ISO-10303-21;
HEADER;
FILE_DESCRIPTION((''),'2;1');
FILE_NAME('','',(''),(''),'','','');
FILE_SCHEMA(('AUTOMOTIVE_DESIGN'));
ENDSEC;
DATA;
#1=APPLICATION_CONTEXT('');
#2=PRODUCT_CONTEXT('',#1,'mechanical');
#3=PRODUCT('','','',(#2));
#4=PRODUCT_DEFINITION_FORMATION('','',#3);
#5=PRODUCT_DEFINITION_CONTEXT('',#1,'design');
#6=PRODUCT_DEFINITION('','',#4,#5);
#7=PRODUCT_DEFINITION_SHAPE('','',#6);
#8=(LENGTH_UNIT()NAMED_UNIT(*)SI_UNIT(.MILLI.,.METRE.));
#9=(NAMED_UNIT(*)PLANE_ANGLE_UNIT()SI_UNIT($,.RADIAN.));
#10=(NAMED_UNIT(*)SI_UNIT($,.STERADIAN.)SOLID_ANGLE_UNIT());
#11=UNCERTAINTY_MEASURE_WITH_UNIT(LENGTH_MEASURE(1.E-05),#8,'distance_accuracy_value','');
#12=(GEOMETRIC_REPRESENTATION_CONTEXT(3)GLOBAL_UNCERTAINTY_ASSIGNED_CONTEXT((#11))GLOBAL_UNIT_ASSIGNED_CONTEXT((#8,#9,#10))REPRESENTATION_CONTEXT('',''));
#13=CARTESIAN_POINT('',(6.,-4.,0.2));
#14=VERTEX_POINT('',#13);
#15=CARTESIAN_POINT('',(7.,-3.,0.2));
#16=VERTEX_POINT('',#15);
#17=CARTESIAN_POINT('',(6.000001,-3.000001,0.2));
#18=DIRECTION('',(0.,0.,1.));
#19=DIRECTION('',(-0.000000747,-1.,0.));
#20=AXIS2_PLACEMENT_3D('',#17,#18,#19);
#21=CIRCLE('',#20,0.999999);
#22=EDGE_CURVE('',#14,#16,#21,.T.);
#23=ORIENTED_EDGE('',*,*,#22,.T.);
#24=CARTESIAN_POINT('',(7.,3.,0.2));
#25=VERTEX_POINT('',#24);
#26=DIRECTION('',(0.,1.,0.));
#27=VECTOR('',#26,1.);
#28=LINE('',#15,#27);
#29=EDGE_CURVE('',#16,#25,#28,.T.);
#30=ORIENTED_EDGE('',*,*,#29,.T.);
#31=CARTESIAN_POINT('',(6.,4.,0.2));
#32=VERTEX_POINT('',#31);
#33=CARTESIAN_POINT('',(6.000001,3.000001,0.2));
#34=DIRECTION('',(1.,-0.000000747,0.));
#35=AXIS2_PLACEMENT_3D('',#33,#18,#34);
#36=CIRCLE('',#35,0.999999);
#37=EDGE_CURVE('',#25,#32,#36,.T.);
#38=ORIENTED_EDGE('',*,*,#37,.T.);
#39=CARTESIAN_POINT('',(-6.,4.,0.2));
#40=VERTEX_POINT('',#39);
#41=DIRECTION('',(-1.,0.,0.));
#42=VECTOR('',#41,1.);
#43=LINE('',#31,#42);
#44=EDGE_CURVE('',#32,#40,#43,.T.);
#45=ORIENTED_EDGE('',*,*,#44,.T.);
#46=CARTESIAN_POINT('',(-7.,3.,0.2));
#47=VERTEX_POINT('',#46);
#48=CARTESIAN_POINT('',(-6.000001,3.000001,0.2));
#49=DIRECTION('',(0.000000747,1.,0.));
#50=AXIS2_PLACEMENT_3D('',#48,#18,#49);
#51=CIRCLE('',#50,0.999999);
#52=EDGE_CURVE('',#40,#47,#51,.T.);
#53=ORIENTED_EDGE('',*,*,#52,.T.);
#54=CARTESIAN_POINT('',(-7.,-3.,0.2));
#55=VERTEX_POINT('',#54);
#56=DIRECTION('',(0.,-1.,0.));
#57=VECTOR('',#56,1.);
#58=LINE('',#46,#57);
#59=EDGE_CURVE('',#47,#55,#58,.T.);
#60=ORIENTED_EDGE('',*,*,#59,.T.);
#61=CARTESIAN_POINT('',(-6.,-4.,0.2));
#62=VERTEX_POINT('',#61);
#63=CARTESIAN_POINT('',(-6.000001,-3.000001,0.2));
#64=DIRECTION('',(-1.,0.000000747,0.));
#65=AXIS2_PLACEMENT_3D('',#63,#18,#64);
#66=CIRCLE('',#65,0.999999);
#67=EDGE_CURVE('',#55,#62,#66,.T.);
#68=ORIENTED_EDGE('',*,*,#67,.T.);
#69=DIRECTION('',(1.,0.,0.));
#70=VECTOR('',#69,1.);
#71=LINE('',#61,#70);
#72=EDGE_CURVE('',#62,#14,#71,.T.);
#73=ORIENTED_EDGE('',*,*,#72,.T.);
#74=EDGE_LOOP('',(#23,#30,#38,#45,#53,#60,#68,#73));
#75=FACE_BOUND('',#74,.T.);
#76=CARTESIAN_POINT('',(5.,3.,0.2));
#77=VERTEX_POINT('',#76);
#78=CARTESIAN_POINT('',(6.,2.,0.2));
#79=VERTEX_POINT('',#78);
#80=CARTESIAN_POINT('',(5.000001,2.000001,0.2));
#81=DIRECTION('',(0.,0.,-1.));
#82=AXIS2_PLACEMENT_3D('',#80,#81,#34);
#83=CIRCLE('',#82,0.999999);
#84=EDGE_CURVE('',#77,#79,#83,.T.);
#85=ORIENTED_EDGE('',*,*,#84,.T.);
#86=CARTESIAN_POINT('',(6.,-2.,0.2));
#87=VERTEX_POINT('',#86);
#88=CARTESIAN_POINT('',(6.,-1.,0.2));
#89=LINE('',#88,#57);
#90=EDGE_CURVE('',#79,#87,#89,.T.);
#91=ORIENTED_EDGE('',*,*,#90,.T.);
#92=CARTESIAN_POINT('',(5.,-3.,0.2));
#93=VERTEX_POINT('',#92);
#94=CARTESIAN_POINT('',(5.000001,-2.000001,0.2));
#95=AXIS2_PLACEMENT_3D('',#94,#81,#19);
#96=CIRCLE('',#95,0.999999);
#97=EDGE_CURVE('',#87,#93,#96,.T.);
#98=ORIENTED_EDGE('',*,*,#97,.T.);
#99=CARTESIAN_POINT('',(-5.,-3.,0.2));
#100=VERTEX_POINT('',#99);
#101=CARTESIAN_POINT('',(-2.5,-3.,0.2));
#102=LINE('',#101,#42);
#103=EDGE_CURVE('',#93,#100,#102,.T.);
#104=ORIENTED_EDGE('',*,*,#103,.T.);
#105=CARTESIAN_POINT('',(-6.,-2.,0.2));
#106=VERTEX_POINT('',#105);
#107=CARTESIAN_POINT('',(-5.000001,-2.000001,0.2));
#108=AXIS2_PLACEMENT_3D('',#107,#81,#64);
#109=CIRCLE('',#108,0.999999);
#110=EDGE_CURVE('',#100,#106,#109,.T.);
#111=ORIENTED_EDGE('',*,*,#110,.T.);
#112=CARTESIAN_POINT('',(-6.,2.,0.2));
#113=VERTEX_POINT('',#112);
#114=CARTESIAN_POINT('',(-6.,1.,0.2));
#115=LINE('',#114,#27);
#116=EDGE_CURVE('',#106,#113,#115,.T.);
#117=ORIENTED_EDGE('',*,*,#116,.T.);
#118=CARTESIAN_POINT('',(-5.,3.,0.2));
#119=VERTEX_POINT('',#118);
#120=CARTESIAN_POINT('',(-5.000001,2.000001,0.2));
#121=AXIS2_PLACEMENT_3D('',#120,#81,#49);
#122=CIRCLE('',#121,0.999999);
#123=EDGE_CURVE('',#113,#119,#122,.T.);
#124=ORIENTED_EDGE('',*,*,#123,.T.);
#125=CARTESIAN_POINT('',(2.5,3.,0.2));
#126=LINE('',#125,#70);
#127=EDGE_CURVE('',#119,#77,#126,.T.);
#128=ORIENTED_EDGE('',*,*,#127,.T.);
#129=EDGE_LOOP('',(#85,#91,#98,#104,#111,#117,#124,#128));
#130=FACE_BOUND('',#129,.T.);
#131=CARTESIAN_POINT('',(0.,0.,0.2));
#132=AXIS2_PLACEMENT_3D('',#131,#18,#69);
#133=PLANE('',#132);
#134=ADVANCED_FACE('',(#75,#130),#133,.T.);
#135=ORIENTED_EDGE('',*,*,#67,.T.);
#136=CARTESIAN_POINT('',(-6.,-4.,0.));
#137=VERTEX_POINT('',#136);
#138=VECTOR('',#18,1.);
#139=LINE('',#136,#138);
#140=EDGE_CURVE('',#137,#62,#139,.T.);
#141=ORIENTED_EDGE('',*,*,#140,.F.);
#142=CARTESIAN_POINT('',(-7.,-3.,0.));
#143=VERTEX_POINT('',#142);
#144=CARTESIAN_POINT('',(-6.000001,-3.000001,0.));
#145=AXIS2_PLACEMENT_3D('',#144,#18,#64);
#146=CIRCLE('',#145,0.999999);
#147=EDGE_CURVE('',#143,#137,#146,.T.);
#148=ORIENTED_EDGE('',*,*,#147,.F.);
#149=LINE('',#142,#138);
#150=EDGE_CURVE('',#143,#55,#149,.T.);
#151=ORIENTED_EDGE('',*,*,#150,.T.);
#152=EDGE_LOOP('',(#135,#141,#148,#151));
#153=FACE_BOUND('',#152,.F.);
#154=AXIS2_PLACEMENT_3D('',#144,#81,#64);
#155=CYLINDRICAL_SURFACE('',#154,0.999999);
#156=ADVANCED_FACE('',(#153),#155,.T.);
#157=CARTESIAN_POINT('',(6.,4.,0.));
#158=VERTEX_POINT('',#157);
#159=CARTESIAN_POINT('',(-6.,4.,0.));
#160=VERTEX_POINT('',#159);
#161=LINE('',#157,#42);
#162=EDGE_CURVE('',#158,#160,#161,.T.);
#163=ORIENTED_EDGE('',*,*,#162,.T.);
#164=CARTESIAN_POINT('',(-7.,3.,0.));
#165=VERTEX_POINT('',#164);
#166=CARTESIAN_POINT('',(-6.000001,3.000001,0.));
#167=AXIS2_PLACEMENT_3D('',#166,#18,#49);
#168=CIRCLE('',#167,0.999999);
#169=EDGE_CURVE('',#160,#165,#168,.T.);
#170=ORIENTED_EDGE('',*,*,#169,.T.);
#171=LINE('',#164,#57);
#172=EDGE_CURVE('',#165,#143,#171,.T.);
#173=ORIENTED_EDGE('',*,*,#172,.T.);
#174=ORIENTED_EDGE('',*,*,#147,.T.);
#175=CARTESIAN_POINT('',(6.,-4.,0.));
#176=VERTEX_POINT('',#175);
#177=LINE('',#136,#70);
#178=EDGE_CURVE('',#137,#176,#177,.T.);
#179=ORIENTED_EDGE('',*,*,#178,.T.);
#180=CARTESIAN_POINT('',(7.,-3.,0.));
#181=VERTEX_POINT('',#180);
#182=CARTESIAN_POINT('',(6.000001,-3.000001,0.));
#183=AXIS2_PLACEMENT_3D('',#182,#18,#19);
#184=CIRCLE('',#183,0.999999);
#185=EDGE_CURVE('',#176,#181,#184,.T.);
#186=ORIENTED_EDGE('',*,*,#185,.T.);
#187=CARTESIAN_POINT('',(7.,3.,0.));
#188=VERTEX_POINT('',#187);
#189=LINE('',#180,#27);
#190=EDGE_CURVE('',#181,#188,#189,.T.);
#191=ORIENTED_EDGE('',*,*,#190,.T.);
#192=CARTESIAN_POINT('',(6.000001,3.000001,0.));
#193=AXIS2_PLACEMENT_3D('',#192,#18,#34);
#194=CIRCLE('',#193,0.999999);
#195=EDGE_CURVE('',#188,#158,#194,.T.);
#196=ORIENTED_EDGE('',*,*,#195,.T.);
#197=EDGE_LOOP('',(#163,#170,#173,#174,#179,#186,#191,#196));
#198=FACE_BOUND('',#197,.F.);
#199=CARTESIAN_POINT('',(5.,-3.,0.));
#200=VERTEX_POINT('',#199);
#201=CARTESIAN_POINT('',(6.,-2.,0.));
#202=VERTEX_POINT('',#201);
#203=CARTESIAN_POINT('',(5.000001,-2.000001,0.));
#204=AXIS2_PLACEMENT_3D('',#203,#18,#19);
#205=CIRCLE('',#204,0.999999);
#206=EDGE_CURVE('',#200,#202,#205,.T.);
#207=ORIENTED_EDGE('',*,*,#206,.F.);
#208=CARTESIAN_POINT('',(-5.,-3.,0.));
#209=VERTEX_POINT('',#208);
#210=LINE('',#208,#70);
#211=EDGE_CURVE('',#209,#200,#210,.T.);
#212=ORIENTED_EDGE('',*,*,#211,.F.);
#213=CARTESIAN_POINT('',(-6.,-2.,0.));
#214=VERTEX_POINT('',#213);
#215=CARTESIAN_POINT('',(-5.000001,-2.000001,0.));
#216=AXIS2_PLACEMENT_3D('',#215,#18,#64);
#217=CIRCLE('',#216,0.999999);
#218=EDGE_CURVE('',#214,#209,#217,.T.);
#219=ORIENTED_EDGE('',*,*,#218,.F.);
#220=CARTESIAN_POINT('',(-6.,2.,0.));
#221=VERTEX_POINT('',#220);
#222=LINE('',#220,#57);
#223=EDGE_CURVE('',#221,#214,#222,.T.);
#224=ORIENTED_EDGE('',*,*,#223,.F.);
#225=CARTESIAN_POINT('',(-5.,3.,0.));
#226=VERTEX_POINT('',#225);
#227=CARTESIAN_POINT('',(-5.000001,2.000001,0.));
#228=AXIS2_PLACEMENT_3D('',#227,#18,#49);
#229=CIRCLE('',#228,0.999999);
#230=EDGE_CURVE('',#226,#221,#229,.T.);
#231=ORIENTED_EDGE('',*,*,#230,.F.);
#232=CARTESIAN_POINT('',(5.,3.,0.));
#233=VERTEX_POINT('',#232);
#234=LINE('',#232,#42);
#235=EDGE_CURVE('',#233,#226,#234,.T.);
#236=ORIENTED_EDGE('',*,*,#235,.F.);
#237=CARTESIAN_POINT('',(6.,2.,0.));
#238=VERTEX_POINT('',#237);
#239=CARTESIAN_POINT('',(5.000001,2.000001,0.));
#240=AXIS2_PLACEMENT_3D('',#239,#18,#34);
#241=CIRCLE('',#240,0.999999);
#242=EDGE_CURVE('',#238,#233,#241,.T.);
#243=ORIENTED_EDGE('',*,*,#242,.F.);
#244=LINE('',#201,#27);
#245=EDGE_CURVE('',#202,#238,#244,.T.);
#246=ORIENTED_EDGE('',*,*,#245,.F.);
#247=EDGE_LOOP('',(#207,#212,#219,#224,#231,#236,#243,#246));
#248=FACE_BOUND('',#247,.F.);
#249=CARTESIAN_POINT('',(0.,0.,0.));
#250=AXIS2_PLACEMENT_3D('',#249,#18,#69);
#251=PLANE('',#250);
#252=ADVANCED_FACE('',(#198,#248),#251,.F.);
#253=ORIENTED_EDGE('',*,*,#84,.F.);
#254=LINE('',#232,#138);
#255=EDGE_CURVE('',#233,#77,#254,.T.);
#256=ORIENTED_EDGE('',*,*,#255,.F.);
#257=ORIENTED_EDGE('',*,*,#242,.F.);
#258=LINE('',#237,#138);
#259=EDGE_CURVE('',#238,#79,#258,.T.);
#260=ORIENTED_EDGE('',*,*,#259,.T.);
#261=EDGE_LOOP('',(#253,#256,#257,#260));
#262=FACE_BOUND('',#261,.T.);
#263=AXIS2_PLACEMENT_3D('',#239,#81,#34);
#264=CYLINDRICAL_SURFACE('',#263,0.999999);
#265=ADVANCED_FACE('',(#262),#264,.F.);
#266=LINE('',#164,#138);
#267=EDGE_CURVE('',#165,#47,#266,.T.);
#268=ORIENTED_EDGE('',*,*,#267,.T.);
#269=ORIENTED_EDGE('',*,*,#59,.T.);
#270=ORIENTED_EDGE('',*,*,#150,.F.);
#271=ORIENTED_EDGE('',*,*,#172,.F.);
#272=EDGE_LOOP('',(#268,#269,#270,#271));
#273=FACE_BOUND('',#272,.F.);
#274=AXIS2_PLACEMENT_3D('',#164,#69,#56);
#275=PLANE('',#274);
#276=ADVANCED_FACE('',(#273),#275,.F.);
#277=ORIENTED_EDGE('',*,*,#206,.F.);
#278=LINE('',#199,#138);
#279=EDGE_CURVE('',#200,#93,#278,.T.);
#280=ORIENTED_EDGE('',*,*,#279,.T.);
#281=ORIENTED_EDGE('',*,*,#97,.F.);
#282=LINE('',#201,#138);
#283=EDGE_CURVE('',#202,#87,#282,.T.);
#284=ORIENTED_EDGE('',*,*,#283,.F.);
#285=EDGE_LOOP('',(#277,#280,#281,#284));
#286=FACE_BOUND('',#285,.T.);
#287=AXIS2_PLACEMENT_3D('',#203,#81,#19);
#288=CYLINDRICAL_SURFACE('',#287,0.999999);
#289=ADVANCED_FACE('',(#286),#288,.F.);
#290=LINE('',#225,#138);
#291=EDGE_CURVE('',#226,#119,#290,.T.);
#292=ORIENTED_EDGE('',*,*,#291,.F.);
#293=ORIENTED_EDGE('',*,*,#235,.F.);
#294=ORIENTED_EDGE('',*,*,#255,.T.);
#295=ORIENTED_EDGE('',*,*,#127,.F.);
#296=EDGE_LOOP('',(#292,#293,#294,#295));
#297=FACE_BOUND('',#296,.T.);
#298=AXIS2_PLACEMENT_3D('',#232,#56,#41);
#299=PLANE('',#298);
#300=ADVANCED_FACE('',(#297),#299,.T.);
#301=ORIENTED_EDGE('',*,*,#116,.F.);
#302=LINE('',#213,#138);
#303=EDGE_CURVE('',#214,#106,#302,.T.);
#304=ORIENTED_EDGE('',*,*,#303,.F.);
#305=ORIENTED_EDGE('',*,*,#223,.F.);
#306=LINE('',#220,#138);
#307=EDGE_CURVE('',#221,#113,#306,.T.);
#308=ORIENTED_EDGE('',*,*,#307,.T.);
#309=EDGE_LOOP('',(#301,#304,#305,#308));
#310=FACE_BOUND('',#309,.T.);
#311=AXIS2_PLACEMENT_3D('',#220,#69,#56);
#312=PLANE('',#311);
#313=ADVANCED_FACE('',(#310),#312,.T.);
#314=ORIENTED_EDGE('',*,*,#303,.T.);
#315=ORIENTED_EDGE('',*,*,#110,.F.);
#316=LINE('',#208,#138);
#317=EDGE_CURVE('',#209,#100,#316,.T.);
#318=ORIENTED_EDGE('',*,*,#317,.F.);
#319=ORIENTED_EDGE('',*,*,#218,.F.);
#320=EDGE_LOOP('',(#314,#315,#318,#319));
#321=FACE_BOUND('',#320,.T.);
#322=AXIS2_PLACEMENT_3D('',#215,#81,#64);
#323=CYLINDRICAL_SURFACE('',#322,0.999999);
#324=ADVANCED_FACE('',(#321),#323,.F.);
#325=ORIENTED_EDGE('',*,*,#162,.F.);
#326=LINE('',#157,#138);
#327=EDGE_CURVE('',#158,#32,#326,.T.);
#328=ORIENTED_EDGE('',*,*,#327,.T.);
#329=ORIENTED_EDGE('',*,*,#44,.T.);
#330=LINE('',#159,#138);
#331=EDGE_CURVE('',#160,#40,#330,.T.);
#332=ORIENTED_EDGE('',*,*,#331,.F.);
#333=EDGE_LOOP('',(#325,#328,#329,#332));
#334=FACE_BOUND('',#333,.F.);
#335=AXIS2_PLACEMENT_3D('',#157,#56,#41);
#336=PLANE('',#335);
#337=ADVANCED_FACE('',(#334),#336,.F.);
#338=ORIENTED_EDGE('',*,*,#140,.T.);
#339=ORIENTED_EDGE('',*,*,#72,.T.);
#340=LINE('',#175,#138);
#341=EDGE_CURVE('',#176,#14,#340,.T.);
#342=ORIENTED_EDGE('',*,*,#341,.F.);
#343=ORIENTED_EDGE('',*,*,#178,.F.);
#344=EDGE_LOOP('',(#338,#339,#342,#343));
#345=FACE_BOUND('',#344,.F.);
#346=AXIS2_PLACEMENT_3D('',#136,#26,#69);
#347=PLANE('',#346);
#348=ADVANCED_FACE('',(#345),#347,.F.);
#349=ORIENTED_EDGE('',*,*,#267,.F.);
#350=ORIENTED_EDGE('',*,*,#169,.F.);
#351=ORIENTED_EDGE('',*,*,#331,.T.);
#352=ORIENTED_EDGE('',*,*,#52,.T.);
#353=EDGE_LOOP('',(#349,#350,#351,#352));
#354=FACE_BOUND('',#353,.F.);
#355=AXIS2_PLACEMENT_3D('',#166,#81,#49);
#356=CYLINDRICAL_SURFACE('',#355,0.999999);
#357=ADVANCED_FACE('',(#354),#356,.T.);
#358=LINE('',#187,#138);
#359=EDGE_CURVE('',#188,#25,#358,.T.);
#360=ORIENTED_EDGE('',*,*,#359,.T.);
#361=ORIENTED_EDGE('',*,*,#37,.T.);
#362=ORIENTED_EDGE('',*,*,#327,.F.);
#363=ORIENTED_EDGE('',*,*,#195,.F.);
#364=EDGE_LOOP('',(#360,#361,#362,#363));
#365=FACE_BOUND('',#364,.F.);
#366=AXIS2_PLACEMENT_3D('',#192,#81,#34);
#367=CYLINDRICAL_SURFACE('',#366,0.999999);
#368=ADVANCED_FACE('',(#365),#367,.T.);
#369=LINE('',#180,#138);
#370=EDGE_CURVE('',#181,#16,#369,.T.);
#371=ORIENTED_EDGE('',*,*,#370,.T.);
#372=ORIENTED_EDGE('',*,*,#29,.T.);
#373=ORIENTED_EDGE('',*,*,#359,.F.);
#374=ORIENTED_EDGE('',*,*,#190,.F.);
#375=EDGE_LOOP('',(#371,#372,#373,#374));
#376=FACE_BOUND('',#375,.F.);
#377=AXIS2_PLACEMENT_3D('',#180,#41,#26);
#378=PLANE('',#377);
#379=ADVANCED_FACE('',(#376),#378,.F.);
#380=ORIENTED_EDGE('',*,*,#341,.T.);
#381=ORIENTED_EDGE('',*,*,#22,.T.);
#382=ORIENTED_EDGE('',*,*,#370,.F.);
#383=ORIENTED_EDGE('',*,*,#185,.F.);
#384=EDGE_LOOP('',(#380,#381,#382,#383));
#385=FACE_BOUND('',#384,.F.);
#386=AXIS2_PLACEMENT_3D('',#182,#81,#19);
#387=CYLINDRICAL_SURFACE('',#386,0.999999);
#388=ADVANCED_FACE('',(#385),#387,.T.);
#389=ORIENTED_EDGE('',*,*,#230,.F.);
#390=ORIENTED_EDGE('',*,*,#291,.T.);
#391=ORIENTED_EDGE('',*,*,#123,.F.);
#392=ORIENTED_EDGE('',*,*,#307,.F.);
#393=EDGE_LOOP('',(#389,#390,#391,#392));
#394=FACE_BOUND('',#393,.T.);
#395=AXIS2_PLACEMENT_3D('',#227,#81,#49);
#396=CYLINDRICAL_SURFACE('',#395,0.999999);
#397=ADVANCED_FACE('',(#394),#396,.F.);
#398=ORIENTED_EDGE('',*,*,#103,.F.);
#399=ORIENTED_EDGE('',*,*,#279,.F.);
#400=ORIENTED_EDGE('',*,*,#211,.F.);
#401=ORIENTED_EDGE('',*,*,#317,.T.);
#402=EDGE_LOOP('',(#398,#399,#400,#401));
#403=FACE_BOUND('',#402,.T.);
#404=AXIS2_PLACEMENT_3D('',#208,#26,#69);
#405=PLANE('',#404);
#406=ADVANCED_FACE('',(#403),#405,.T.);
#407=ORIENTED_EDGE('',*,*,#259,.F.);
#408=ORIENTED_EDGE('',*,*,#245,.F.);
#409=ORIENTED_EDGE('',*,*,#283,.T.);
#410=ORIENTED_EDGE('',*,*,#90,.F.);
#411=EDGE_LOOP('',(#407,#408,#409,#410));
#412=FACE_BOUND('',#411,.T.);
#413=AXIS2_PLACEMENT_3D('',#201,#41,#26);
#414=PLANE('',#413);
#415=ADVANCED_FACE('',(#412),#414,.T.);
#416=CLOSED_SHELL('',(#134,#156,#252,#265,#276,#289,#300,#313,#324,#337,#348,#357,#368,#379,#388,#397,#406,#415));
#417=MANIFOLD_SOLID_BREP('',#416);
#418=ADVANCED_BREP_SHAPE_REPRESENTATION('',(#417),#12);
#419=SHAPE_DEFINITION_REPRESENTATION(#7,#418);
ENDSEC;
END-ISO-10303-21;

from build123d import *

# Parameters (mm, degrees)
F2_DEPTH = 0.2
F3_DEPTH = 1


with BuildPart() as f2:
    # F0 (on Top) → F2 (new body)
    with BuildSketch(Plane.XY):
        with BuildLine():
            ThreePointArc((7, 3), (6.707107, 3.707107), (6, 4))
            Line((6, 4), (-6, 4))
            ThreePointArc((-6, 4), (-6.707107, 3.707107), (-7, 3))
            Line((-7, 3), (-7, -3))
            ThreePointArc((-7, -3), (-6.707107, -3.707107), (-6, -4))
            Line((-6, -4), (6, -4))
            ThreePointArc((6, -4), (6.707107, -3.707107), (7, -3))
            Line((7, -3), (7, 3))
        make_face()
    extrude(amount=F2_DEPTH)

    # F1 (on face) → F3 (cut)
    with BuildSketch(Plane.XY):
        with BuildLine():
            Line((5, 3), (-5, 3))
            ThreePointArc((-5, 3), (-5.707107, 2.707107), (-6, 2))
            Line((-6, 2), (-6, -2))
            ThreePointArc((-6, -2), (-5.707107, -2.707107), (-5, -3))
            Line((-5, -3), (5, -3))
            ThreePointArc((5, -3), (5.707107, -2.707107), (6, -2))
            Line((6, -2), (6, 2))
            ThreePointArc((6, 2), (5.707107, 2.707107), (5, 3))
        make_face()
    extrude(amount=F3_DEPTH, mode=Mode.SUBTRACT)


solid = f2.part
